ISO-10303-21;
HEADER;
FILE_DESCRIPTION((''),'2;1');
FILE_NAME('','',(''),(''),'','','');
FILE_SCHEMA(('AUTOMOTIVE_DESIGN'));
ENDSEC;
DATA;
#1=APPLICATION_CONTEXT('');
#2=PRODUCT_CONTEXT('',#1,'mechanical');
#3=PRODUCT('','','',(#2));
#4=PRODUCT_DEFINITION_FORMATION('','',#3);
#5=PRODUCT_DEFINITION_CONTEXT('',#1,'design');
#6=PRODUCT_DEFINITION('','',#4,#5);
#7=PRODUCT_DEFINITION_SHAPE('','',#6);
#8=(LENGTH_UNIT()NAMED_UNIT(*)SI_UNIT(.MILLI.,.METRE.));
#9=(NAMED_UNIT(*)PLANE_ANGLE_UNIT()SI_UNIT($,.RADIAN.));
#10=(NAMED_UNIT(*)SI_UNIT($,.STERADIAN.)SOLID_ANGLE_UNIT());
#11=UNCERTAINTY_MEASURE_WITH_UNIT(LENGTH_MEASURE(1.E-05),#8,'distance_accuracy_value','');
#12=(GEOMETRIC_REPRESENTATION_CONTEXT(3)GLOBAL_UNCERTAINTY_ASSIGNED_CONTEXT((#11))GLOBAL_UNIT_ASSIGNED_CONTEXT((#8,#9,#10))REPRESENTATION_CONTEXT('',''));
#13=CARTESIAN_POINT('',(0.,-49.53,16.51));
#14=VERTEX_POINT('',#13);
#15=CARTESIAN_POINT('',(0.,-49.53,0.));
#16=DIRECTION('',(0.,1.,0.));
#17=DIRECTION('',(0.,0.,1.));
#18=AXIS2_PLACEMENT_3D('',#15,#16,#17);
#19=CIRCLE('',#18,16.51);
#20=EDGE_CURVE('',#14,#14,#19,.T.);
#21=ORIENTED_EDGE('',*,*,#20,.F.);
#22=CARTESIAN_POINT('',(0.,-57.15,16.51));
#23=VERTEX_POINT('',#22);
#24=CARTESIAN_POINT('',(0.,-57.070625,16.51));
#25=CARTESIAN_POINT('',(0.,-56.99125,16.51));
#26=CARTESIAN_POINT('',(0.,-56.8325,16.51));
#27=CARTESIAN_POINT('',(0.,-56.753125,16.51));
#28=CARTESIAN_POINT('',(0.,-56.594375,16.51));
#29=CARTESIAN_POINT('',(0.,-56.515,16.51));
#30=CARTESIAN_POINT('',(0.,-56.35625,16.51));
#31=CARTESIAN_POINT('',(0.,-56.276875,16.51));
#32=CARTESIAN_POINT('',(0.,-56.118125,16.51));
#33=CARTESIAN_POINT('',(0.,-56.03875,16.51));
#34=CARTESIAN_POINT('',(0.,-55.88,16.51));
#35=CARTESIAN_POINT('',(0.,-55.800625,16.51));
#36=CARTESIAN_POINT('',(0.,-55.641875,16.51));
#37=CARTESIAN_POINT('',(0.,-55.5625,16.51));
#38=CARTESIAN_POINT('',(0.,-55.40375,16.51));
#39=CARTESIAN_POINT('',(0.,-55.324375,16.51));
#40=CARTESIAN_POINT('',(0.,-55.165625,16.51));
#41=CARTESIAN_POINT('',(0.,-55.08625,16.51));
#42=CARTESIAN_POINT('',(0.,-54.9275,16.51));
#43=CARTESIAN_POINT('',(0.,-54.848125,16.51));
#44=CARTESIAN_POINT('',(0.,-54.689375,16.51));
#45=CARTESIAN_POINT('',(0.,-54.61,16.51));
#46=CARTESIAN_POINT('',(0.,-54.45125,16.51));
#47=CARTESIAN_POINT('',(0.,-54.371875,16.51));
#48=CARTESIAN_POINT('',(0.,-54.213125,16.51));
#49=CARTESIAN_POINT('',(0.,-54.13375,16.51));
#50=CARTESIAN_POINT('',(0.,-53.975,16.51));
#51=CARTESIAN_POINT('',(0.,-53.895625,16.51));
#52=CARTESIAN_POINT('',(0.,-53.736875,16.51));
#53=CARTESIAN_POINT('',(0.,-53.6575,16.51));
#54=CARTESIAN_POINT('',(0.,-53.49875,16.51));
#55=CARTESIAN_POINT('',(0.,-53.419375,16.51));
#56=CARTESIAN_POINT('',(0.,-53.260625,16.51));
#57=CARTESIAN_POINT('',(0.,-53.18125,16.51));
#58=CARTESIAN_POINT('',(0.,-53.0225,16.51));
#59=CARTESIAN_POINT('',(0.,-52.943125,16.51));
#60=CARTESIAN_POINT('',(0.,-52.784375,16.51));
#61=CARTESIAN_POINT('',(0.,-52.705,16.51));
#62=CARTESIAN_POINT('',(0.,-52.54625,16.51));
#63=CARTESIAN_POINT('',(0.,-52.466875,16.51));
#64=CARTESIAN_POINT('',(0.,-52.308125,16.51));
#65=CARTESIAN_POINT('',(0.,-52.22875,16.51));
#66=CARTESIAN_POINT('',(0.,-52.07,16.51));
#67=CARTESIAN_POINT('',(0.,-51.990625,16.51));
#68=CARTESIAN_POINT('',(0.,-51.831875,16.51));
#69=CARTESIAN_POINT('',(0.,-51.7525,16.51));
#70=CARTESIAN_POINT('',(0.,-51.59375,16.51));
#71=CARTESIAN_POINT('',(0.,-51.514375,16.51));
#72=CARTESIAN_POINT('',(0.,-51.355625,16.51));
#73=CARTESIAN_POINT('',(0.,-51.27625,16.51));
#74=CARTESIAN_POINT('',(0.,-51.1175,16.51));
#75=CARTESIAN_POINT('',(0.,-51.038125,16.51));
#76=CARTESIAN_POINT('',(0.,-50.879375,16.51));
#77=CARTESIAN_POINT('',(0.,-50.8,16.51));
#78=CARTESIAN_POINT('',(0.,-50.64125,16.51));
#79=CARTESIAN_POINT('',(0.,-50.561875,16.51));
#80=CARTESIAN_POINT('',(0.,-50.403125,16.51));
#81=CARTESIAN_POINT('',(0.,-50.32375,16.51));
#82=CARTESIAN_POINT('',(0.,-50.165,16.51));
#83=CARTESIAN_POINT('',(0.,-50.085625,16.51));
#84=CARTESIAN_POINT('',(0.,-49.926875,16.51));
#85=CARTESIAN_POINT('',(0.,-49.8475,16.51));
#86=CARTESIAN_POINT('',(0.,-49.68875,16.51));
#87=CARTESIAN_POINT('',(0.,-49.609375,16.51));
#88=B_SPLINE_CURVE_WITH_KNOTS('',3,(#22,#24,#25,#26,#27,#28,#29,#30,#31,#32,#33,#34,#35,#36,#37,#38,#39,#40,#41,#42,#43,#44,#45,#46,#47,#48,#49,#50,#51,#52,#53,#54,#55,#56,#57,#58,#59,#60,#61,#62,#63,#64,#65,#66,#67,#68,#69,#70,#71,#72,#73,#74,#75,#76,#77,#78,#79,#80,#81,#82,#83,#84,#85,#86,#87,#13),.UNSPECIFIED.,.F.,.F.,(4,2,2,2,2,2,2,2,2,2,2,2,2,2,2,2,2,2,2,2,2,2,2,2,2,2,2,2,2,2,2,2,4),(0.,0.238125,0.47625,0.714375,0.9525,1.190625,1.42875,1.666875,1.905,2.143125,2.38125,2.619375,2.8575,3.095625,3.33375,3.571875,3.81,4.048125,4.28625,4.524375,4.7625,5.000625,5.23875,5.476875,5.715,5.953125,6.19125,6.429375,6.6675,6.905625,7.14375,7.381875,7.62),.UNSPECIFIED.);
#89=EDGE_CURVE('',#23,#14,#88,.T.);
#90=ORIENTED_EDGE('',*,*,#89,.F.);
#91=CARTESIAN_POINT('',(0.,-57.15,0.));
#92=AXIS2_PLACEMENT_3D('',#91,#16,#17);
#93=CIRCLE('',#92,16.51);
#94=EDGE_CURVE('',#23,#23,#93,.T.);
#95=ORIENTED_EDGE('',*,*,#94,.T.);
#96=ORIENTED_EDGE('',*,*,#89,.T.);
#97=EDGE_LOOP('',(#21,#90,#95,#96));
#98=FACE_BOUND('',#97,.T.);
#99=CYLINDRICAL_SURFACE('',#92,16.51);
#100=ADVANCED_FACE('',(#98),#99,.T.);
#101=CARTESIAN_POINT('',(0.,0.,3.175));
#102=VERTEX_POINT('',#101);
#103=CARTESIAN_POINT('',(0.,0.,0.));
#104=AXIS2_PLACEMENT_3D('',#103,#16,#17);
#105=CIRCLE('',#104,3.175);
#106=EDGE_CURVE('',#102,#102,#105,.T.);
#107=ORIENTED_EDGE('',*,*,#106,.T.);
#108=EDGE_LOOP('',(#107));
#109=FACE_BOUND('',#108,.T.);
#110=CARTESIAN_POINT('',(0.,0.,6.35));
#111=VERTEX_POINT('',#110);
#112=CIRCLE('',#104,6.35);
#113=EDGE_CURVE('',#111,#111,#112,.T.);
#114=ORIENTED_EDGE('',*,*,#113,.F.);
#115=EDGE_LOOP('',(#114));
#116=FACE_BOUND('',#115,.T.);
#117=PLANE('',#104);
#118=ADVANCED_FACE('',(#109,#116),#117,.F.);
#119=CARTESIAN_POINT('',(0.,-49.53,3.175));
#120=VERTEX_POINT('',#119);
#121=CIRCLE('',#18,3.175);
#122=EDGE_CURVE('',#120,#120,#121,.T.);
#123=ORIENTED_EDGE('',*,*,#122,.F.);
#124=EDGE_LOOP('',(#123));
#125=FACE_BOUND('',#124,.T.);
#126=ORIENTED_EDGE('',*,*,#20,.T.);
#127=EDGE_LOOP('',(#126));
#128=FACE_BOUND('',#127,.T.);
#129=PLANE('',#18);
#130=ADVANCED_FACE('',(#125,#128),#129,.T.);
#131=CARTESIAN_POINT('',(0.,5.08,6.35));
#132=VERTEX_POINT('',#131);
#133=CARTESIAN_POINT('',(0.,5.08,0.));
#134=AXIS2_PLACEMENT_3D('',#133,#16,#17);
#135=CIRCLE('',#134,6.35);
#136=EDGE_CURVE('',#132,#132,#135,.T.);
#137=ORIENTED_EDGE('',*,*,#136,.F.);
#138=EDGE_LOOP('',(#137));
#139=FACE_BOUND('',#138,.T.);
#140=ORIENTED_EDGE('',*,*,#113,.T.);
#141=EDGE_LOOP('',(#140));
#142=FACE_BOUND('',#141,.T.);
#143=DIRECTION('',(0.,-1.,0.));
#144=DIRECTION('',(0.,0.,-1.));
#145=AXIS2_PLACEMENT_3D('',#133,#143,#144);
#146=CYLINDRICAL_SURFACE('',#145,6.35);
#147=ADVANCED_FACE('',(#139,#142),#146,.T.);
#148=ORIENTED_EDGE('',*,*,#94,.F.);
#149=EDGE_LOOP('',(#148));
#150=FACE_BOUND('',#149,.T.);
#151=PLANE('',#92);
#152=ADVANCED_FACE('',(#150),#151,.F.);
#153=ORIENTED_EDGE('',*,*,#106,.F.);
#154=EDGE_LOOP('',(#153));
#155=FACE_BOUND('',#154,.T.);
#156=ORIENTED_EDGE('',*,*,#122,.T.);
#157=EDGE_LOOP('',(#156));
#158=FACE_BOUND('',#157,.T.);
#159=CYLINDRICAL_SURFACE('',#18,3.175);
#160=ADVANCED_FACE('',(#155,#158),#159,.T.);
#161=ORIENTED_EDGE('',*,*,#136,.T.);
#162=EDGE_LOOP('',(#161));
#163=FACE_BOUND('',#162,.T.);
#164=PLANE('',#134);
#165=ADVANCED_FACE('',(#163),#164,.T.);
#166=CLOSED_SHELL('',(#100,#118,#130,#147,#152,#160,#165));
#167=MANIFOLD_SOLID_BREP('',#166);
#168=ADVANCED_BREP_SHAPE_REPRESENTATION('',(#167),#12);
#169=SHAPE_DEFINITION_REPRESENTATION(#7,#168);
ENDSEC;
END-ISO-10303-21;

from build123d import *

# Parameters (mm, degrees)
SKETCH1_R           = 6.35
SKETCH1_R_2         = 3.175
BOSS_EXTRUDE1_DEPTH = 5.08
SKETCH1_3_R         = 3.175
BOSS_EXTRUDE2_DEPTH = 49.53
BOSS_EXTRUDE3_START = -49.53
SKETCH1_4_R         = 16.51
SKETCH1_4_R_2       = 6.35
SKETCH1_4_R_3       = 3.175
BOSS_EXTRUDE3_DEPTH = 7.62


with BuildPart() as part:
    # Sketch1 → Boss-Extrude1 (new body)
    # profile 1 of 2: a face of its own
    with BuildSketch(Plane(origin=(0, 0, 0), x_dir=(1, 0, 0), z_dir=(0, 1, 0))):
        with Locations(Location((0, 0, 0), (0, 0, 270))):
            Circle(SKETCH1_R)
        Circle(SKETCH1_R_2, mode=Mode.SUBTRACT)
    # profile 2 of 2: a face of its own
    with BuildSketch(Plane(origin=(0, 0, 0), x_dir=(1, 0, 0), z_dir=(0, 1, 0))):
        Circle(SKETCH1_R_2)
    extrude(amount=BOSS_EXTRUDE1_DEPTH)

    # Sketch1<3> → Boss-Extrude2 (add)
    with BuildSketch(Plane(origin=(0, 0, 0), x_dir=(1, 0, 0), z_dir=(0, 1, 0))):
        with Locations(Location((0, 0, 0), (0, 0, 270))):
            Circle(SKETCH1_3_R)
    extrude(amount=-BOSS_EXTRUDE2_DEPTH)

    # Sketch1<4> → Boss-Extrude3 (add)
    # profile 1 of 3: a face of its own
    with BuildSketch(Plane(origin=(0, 0, 0), x_dir=(1, 0, 0), z_dir=(0, 1, 0)).offset(BOSS_EXTRUDE3_START)):
        with Locations(Location((0, 0, 0), (0, 0, 270))):
            Circle(SKETCH1_4_R)
        with Locations(Location((0, 0, 0), (0, 0, 270))):
            Circle(SKETCH1_4_R_2, mode=Mode.SUBTRACT)
    # profile 2 of 3: a face of its own
    with BuildSketch(Plane(origin=(0, 0, 0), x_dir=(1, 0, 0), z_dir=(0, 1, 0)).offset(BOSS_EXTRUDE3_START)):
        with Locations(Location((0, 0, 0), (0, 0, 270))):
            Circle(SKETCH1_4_R_2)
        with Locations(Location((0, 0, 0), (0, 0, 270))):
            Circle(SKETCH1_4_R_3, mode=Mode.SUBTRACT)
    # profile 3 of 3: a face of its own
    with BuildSketch(Plane(origin=(0, 0, 0), x_dir=(1, 0, 0), z_dir=(0, 1, 0)).offset(BOSS_EXTRUDE3_START)):
        with Locations(Location((0, 0, 0), (0, 0, 270))):
            Circle(SKETCH1_4_R_3)
    extrude(amount=-BOSS_EXTRUDE3_DEPTH)


solid = part.part
